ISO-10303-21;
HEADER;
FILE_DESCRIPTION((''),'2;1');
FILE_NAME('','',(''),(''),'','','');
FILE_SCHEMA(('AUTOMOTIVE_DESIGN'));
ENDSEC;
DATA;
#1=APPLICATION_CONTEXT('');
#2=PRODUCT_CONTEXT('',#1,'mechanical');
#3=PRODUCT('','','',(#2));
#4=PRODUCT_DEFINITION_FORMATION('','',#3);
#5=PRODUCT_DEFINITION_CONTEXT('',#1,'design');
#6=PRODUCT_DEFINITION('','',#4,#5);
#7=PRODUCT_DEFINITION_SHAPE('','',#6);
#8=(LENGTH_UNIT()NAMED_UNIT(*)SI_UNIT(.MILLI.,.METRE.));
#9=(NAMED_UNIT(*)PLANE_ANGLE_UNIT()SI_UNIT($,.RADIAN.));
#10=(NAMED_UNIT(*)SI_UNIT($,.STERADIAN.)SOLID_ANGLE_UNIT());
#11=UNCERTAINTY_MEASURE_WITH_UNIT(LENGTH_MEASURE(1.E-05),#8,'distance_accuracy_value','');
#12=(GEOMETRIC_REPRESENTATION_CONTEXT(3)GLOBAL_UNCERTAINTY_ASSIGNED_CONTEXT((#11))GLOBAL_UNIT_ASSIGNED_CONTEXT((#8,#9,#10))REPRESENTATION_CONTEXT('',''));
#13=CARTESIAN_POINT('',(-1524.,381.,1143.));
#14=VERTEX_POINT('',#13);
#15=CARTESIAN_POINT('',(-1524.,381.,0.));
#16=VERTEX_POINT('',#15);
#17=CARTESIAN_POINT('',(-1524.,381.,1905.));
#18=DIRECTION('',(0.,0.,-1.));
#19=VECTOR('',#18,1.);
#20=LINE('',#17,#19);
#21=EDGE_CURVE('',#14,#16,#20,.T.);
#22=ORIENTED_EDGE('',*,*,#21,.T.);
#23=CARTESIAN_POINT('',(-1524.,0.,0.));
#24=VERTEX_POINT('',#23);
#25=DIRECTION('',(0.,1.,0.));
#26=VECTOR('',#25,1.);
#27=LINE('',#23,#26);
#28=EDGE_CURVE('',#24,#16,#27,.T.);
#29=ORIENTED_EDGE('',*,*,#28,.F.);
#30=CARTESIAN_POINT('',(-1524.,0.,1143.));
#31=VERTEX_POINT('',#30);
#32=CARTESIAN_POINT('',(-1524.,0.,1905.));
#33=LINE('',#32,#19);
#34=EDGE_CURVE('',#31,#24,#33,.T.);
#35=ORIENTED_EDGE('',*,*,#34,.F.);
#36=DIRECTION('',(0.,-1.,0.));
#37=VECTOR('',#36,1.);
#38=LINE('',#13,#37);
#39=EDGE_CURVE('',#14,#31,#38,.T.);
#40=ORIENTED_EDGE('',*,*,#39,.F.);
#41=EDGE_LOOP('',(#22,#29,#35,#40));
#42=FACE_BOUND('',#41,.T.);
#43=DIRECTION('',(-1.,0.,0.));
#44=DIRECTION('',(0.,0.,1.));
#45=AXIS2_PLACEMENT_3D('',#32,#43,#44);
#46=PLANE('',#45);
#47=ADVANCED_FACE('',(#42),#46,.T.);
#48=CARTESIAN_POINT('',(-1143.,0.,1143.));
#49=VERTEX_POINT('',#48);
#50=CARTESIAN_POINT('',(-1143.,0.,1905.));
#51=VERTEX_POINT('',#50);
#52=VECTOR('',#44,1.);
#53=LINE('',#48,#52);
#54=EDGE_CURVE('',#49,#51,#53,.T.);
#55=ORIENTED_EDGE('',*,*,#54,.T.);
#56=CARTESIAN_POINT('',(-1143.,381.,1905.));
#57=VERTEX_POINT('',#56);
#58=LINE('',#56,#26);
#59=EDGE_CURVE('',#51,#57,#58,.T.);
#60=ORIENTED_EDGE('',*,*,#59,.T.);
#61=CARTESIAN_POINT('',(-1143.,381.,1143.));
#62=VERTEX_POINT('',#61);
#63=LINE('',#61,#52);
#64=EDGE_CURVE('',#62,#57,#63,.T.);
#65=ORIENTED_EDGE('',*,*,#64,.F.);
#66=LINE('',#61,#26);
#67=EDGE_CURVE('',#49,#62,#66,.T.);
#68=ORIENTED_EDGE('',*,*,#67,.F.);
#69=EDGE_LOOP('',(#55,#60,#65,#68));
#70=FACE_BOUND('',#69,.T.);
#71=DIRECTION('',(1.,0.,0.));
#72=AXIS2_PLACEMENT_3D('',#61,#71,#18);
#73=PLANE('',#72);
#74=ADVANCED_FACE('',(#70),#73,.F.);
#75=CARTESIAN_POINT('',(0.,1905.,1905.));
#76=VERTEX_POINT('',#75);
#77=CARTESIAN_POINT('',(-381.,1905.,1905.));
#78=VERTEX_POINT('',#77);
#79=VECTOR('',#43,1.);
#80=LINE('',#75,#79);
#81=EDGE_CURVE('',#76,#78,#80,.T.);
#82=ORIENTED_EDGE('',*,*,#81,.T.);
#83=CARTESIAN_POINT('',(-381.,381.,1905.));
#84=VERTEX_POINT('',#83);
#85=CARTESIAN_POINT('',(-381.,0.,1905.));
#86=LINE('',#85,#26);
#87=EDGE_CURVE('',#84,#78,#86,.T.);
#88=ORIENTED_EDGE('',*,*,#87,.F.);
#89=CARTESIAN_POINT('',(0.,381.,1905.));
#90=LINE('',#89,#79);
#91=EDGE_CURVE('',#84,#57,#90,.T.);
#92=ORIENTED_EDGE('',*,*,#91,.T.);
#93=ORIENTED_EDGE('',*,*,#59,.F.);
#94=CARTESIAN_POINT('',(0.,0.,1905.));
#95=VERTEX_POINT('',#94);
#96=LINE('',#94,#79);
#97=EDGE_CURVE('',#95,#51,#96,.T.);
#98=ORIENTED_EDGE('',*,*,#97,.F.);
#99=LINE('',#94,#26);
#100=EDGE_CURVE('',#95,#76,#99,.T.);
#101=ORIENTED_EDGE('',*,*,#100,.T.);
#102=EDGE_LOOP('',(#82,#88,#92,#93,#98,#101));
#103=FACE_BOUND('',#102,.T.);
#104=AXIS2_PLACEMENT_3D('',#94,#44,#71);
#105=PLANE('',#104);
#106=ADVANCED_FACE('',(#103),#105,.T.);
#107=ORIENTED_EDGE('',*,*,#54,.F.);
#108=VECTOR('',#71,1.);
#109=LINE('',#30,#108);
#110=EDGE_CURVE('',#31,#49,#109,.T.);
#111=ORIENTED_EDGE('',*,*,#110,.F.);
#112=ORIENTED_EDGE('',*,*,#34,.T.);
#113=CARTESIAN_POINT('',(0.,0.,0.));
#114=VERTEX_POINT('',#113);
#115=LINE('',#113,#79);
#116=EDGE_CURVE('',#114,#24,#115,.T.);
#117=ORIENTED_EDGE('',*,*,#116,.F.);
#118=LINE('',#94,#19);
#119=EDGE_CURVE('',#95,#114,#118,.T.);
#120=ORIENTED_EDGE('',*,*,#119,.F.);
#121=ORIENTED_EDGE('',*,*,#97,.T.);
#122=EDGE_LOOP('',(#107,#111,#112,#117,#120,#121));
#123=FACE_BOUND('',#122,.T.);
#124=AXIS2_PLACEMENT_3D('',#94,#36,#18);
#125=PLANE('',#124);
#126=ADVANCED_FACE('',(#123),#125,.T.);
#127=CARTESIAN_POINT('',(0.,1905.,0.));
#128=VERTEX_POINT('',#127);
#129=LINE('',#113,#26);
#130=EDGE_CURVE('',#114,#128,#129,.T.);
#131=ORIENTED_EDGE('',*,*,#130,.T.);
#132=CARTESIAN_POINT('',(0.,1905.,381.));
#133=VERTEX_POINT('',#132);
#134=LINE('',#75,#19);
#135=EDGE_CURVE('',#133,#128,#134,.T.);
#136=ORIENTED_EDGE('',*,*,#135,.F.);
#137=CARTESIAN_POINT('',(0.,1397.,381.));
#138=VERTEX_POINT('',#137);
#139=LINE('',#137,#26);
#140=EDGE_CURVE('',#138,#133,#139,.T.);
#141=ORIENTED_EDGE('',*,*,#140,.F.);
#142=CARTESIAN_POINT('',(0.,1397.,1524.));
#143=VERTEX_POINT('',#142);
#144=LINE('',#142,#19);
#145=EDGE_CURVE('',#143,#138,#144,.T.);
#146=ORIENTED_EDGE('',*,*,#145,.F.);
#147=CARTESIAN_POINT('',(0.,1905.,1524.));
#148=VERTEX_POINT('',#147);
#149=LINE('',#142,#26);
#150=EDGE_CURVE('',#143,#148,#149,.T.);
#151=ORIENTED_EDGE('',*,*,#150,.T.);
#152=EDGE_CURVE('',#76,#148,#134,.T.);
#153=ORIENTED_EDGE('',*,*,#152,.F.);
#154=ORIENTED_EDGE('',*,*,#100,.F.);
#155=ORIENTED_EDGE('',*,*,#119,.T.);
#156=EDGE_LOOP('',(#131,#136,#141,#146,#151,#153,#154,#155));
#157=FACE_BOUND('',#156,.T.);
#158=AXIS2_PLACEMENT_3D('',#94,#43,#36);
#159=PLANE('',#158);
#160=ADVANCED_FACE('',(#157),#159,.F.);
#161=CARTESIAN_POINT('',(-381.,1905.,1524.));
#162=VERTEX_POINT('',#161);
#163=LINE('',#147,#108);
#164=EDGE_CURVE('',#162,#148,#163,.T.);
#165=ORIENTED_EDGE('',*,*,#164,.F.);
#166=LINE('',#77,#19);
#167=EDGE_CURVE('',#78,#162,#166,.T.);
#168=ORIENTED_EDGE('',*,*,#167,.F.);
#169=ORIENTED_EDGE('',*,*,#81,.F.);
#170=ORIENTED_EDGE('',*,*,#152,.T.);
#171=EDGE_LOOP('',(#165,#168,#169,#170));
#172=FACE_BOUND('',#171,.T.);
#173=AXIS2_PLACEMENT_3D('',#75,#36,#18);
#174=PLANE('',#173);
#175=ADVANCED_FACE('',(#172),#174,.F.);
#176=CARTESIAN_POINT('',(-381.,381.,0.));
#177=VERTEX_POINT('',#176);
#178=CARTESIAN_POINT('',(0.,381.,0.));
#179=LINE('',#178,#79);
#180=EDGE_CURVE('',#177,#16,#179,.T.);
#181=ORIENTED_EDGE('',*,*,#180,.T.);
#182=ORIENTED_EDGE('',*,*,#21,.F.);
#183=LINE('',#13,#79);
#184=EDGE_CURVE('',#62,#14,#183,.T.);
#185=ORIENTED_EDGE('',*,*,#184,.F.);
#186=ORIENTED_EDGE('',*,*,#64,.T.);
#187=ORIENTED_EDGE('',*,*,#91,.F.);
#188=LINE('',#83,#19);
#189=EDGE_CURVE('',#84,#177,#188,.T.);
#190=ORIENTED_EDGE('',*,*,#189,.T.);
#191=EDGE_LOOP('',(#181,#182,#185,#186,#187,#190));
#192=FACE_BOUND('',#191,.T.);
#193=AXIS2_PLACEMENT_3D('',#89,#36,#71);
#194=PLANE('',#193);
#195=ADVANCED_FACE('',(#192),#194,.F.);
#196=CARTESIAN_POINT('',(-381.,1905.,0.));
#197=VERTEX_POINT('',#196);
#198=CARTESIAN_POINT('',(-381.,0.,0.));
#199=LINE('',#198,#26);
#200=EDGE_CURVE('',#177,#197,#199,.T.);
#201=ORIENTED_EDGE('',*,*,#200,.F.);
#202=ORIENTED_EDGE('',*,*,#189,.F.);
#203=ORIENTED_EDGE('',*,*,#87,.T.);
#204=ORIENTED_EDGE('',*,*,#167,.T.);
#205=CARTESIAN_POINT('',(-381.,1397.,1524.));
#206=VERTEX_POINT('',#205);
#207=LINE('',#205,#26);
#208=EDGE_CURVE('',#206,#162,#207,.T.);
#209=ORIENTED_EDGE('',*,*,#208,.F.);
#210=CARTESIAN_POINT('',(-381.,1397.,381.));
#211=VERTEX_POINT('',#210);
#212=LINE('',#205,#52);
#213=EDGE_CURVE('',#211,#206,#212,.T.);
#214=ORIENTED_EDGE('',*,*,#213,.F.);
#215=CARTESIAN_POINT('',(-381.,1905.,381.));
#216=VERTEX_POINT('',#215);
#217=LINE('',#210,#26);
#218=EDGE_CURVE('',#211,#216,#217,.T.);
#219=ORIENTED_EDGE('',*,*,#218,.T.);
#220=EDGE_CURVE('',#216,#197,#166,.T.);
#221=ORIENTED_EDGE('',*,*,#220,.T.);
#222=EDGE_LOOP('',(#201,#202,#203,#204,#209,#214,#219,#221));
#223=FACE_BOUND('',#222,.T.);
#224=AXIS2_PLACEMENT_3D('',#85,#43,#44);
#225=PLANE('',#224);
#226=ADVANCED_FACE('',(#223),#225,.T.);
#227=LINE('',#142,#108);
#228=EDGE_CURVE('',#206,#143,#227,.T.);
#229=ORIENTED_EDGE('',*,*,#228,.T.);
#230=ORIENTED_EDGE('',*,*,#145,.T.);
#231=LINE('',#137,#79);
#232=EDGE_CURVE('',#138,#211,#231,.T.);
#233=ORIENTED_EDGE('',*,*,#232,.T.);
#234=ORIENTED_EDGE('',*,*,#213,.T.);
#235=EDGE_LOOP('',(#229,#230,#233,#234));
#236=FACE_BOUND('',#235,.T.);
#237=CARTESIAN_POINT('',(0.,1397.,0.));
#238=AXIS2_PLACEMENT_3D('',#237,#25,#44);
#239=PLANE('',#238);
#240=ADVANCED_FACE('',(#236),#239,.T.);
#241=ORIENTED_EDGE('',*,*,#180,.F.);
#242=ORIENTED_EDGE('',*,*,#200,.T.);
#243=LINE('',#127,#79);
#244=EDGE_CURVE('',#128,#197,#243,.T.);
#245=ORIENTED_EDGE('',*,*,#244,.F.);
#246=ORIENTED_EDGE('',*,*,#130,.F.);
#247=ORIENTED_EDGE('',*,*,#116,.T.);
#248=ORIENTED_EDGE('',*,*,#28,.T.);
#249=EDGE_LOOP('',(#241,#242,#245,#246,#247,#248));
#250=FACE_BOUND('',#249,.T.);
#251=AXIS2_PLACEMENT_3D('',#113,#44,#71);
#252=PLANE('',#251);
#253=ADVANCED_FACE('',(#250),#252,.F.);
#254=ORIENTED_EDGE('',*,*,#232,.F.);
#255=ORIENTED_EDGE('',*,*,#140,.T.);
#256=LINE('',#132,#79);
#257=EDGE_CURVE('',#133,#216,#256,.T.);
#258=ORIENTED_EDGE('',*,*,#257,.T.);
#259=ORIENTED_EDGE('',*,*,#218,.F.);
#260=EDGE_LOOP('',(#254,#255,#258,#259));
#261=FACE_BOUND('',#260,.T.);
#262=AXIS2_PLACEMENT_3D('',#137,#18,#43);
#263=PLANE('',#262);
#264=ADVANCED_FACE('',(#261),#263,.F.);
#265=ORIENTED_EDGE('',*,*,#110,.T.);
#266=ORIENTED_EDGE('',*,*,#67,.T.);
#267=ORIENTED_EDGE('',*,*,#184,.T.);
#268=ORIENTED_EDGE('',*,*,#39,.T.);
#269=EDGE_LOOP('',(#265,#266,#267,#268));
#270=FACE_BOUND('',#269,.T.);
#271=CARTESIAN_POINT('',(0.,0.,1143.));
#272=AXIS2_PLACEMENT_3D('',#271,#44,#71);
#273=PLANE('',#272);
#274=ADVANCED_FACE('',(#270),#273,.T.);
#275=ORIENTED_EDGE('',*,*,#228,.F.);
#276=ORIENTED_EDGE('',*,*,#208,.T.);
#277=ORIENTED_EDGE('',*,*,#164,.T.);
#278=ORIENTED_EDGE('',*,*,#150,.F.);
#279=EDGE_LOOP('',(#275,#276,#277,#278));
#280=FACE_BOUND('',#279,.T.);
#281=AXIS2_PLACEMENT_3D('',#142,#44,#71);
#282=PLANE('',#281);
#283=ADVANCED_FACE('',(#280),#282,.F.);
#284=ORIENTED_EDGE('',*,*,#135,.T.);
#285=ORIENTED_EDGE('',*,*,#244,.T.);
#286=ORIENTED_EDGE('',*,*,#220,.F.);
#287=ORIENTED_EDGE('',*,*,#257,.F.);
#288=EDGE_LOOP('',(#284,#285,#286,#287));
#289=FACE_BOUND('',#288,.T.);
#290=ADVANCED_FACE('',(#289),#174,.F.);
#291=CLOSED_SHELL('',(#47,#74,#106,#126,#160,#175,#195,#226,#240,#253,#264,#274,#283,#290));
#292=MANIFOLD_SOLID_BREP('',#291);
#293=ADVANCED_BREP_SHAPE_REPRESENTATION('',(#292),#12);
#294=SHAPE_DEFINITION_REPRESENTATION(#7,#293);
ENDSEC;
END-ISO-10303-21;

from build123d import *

# Parameters (mm, degrees)
SKETCH6_W           = 381
SKETCH6_H           = 381
SKETCH6_W_2         = 1143
SKETCH6_H_2         = 1524
BOSS_EXTRUDE3_DEPTH = 1905
SKETCH7_W           = 381
SKETCH7_H           = 1143
CUT_EXTRUDE1_DEPTH  = 508
SKETCH9_W           = 381
SKETCH9_H           = 381
CUT_EXTRUDE3_DEPTH  = 762


with BuildPart() as part:
    # Sketch6 → Boss-Extrude3 (new body)
    with BuildSketch(Plane.XY):
        with Locations((-190.5, 190.5)):
            Rectangle(SKETCH6_W, SKETCH6_H)
        with Locations((-952.5, 190.5)):
            Rectangle(SKETCH6_W_2, SKETCH6_H)
        with Locations((-190.5, 1143)):
            Rectangle(SKETCH6_W, SKETCH6_H_2)
    extrude(amount=BOSS_EXTRUDE3_DEPTH)

    # Sketch7 → Cut-Extrude1 (cut)
    with BuildSketch(Plane(origin=(0, 1905, 0), x_dir=(1, 0, 0), z_dir=(0, 1, 0))):
        with Locations((-190.5, -952.5)):
            Rectangle(SKETCH7_W, SKETCH7_H)
    extrude(amount=-CUT_EXTRUDE1_DEPTH, mode=Mode.SUBTRACT)

    # Sketch9 → Cut-Extrude3 (cut)
    with BuildSketch(Plane.XY.offset(1905)):
        with Locations((-1333.5, 190.5)):
            Rectangle(SKETCH9_W, SKETCH9_H)
    extrude(amount=-CUT_EXTRUDE3_DEPTH, mode=Mode.SUBTRACT)


solid = part.part
